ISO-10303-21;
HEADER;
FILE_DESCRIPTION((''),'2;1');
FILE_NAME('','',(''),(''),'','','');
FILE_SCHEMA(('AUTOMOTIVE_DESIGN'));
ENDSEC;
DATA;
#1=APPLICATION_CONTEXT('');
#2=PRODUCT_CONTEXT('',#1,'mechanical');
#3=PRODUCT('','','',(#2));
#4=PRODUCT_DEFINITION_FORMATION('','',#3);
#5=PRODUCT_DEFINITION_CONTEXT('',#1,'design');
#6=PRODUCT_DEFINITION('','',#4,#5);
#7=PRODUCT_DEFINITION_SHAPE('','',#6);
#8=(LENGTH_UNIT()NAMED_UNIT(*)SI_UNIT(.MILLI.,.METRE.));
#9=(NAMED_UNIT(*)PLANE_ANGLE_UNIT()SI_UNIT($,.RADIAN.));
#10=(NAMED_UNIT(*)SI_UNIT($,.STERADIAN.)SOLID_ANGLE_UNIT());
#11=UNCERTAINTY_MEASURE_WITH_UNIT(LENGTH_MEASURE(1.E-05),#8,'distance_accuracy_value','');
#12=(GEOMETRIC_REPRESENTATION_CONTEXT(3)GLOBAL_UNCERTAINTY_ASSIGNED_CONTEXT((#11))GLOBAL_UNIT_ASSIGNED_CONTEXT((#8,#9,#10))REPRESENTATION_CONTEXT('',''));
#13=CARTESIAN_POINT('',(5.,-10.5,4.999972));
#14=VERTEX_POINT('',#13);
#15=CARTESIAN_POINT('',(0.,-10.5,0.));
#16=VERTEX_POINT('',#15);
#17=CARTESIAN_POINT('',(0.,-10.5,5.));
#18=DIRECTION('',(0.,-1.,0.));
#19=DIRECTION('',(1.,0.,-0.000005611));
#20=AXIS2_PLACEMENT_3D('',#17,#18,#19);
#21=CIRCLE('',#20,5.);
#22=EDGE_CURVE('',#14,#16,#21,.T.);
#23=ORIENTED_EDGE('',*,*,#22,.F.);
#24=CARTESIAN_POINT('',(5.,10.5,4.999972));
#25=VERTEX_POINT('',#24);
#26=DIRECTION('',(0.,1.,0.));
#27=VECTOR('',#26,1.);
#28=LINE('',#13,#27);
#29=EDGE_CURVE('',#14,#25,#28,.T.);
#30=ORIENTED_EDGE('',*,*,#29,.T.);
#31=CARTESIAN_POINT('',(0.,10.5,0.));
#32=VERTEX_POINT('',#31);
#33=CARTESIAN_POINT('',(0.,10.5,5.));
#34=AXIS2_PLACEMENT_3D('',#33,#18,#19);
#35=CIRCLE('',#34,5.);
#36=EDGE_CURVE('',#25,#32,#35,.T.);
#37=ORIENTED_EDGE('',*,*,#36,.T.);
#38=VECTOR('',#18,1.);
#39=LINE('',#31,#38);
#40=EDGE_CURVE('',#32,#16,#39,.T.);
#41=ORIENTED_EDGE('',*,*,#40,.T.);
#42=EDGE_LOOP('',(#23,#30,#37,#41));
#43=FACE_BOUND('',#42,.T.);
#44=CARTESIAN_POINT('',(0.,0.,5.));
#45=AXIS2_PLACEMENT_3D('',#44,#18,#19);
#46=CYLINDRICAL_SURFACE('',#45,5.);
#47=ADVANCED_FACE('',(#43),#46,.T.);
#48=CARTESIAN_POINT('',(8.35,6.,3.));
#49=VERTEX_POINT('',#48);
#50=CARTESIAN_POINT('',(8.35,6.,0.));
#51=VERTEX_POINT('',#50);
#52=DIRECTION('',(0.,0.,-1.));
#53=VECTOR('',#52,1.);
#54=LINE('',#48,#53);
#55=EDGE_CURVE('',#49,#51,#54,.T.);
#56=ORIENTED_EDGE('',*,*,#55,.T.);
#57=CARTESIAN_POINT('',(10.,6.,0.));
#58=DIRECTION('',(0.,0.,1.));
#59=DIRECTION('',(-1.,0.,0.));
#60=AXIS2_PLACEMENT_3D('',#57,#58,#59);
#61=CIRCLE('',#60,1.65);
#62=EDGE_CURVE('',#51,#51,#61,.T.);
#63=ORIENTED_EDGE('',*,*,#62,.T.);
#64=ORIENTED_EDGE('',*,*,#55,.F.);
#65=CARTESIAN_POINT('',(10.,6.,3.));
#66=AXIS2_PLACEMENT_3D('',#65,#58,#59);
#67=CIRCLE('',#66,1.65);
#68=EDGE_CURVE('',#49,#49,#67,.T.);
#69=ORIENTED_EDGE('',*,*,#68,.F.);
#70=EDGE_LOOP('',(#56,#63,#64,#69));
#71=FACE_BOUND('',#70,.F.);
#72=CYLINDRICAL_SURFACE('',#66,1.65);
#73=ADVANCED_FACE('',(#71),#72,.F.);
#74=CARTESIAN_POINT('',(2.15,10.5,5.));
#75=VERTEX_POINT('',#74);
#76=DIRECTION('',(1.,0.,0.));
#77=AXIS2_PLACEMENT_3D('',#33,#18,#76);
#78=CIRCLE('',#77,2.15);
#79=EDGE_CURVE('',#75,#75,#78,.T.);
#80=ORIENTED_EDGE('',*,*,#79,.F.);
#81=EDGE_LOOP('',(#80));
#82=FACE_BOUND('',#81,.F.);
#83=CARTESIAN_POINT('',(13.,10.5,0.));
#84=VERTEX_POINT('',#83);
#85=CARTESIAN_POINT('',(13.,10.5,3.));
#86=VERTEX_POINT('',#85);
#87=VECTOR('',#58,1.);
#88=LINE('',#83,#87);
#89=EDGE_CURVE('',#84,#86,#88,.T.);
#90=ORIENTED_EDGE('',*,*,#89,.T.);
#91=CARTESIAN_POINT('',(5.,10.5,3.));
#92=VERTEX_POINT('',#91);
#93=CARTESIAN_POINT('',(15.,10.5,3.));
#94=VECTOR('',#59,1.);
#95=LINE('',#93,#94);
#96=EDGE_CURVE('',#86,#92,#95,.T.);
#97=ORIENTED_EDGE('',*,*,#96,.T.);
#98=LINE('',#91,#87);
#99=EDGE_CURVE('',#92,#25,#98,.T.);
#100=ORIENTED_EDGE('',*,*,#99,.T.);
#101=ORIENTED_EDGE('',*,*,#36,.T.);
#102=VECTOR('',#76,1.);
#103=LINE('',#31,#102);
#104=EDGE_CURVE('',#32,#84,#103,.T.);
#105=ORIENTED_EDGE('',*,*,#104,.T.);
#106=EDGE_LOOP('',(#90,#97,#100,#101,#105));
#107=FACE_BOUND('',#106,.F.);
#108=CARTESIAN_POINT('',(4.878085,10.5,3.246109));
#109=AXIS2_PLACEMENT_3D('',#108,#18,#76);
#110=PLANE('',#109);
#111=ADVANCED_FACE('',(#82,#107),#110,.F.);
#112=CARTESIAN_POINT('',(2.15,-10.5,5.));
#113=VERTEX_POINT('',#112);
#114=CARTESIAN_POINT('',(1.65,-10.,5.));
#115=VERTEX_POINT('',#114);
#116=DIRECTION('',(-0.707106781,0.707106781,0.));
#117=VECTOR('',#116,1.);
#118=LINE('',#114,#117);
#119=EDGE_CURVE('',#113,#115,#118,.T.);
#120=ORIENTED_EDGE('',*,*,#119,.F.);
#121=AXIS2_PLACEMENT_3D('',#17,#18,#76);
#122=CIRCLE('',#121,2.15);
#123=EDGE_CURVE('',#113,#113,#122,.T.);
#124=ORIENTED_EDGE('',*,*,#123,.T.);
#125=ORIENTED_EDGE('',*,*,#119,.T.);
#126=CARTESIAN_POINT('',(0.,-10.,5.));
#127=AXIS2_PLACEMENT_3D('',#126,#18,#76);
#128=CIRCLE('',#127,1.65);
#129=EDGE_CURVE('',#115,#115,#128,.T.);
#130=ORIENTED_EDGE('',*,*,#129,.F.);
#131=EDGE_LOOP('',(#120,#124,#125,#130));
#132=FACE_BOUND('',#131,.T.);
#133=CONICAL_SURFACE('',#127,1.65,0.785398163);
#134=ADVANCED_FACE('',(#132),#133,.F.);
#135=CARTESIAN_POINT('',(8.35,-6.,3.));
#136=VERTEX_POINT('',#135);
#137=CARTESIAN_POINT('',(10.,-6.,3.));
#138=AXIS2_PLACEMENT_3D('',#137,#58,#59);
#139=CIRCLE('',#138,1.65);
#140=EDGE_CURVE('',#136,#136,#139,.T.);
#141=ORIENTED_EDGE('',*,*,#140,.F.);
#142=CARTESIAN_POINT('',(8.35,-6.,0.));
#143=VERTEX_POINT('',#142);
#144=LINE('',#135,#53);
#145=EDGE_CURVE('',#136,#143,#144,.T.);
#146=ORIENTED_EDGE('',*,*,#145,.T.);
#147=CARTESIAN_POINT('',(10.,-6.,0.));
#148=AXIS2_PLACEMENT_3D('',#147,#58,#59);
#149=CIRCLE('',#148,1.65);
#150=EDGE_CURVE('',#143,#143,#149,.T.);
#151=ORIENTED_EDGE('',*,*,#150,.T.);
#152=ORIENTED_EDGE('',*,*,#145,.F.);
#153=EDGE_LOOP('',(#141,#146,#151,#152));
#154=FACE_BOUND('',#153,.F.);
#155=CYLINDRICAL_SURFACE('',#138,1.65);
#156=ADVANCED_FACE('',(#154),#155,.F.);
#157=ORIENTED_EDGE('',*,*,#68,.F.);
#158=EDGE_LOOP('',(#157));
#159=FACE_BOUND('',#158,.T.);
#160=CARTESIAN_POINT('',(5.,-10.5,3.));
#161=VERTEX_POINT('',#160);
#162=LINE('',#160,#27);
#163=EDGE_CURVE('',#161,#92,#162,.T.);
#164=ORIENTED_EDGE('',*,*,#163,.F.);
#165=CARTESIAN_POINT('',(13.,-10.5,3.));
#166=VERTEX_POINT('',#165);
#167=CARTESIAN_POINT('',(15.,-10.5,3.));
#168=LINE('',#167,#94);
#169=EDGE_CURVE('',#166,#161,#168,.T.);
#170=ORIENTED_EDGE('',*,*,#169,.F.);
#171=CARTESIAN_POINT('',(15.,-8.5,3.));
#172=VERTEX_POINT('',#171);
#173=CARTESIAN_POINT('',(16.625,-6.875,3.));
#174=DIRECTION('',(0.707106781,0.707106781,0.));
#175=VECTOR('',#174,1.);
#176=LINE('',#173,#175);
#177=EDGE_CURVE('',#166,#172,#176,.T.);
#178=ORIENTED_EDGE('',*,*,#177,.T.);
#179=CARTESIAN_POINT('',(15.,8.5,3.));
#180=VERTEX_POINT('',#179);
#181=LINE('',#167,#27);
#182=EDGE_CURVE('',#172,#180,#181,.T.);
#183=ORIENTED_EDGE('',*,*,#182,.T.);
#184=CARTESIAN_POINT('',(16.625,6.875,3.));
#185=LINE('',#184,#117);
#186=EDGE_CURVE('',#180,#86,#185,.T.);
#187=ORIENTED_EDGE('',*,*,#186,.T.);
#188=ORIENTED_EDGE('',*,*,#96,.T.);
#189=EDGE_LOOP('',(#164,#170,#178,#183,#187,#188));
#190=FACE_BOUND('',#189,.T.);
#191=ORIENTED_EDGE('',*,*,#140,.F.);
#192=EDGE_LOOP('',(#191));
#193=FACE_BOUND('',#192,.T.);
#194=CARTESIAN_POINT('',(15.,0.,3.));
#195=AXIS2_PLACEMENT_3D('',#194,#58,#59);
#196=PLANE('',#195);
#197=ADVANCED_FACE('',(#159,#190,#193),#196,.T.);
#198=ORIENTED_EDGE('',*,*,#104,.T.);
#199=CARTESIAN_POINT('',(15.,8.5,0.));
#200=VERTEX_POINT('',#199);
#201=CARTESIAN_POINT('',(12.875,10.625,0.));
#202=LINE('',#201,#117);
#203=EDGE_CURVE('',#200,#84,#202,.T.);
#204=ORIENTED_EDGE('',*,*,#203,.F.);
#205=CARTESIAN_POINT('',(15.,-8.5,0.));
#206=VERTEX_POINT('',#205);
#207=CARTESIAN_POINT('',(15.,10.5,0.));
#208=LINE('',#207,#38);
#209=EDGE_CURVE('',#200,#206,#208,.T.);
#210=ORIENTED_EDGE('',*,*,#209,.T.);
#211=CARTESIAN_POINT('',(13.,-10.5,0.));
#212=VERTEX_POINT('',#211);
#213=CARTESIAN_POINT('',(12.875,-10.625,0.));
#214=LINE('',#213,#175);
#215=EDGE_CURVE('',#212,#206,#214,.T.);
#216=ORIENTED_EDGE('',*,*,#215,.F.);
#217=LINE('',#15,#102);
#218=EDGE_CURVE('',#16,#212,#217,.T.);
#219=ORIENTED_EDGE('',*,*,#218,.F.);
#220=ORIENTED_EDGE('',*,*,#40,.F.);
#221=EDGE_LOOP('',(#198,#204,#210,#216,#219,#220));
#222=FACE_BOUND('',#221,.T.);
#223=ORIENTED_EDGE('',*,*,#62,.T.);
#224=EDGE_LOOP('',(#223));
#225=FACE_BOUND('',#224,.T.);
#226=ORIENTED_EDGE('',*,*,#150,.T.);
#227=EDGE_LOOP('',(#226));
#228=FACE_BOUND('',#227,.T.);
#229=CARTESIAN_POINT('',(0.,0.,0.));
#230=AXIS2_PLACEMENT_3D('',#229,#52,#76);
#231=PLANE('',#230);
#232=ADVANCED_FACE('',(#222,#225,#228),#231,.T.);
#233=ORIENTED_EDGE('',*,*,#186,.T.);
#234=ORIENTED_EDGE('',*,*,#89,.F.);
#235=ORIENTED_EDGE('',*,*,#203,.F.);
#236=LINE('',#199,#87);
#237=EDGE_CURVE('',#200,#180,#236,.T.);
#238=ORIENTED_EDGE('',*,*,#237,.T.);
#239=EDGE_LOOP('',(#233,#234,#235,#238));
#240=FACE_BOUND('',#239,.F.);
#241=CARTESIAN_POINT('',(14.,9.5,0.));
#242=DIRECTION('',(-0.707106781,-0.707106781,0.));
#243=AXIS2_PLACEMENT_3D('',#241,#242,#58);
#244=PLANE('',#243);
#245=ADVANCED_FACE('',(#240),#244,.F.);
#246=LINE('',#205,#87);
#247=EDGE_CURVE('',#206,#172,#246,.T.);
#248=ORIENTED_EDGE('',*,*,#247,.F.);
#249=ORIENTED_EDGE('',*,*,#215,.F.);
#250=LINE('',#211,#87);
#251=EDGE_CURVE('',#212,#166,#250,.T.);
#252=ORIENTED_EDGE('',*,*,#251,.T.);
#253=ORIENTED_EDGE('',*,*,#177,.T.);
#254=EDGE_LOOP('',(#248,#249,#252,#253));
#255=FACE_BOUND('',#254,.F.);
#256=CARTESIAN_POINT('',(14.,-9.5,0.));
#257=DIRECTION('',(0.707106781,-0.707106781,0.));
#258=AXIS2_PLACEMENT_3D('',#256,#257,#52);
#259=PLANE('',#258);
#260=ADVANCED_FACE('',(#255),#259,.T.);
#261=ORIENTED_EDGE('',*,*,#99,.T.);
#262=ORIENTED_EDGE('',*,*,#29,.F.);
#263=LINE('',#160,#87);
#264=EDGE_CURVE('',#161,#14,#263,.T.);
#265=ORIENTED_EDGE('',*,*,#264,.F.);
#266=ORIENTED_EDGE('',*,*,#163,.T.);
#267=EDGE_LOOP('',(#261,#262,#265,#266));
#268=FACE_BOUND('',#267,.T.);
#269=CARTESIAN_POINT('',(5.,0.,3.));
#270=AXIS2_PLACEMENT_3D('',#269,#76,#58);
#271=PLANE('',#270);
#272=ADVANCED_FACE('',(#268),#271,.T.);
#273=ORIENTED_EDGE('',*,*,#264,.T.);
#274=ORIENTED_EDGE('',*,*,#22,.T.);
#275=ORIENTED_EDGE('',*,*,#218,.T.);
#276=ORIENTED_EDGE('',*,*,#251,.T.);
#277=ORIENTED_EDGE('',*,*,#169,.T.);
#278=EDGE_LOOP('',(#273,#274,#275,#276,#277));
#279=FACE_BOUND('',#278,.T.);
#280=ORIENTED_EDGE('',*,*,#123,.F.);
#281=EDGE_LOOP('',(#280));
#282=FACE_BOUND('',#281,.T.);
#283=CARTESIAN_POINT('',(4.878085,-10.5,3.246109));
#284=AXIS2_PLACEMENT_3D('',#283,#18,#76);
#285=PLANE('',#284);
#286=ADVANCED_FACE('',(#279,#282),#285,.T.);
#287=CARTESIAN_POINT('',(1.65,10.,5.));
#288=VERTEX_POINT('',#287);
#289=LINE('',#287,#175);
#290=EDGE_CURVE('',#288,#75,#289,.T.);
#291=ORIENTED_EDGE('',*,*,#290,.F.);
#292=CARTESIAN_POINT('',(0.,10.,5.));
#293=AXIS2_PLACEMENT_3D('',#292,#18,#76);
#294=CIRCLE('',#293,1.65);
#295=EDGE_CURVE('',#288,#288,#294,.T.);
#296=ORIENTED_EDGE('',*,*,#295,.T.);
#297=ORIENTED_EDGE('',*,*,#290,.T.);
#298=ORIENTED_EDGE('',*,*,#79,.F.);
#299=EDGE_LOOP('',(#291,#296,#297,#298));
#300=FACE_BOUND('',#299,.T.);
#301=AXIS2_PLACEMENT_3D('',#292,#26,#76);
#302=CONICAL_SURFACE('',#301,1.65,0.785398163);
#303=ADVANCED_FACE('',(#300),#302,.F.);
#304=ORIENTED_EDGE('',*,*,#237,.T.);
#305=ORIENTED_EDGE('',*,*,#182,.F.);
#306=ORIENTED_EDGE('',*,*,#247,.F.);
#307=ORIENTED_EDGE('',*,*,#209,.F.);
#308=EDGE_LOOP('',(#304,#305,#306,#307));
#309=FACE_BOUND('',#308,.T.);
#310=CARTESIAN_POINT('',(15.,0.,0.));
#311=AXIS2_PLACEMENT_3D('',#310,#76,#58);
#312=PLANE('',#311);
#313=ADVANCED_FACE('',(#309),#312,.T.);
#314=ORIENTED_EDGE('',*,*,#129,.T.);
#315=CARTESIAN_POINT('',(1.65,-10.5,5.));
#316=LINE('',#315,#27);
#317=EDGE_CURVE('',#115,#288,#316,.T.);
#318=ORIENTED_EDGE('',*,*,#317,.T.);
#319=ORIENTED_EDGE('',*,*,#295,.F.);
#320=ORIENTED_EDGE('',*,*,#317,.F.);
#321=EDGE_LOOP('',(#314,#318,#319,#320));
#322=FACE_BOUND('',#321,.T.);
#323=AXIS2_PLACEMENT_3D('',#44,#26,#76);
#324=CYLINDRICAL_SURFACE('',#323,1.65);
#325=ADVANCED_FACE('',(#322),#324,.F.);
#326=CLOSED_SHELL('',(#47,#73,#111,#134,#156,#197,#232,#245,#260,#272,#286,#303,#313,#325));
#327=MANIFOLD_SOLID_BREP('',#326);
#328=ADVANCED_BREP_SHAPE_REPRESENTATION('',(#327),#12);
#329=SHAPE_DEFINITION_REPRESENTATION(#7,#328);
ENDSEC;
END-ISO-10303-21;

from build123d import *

# Parameters (mm, degrees)
SKETCH_R        = 1.65
PAD_DEPTH       = 10.5
CHAMFER_SIZE    = 0.5
CHAMFER001_SIZE = 2
SKETCH001_R     = 1.65
POCKET_DEPTH    = 3.001


with BuildPart() as part:
    # Sketch → Pad (new body, symmetric)
    with BuildSketch(Plane.XZ):
        with BuildLine():
            ThreePointArc((5, 4.999972), (-3.535524, 8.535544), (0, 0))
            Line((0, 0), (15, 0))
            Line((15, 0), (15, 3))
            Line((15, 3), (5, 3))
            Line((5, 3), (5, 4.999972))
        make_face()
        with Locations((0, 5)):
            Circle(SKETCH_R, mode=Mode.SUBTRACT)
    extrude(amount=PAD_DEPTH, both=True)

    # Chamfer
    chamfer_edges = [part.edges().sort_by_distance(p)[0] for p in [
        (-1.65, -10.5, 5),
        (-1.65, 10.5, 5),
    ]]
    chamfer(chamfer_edges, length=CHAMFER_SIZE)

    # Chamfer001
    chamfer001_edges = [part.edges().sort_by_distance(p)[0] for p in [
        (15, 10.5, 1.5),
        (15, -10.5, 1.5),
    ]]
    chamfer(chamfer001_edges, length=CHAMFER001_SIZE)

    # Sketch001 → Pocket (cut, through all)
    with BuildSketch(Plane(origin=(0, 0, 3), x_dir=(-1, 0, 0), z_dir=(0, 0, 1))):
        with Locations((-10, 6)):
            Circle(SKETCH001_R)
        with Locations((-10, -6)):
            Circle(SKETCH001_R)
    extrude(amount=-POCKET_DEPTH, mode=Mode.SUBTRACT)


solid = part.part
